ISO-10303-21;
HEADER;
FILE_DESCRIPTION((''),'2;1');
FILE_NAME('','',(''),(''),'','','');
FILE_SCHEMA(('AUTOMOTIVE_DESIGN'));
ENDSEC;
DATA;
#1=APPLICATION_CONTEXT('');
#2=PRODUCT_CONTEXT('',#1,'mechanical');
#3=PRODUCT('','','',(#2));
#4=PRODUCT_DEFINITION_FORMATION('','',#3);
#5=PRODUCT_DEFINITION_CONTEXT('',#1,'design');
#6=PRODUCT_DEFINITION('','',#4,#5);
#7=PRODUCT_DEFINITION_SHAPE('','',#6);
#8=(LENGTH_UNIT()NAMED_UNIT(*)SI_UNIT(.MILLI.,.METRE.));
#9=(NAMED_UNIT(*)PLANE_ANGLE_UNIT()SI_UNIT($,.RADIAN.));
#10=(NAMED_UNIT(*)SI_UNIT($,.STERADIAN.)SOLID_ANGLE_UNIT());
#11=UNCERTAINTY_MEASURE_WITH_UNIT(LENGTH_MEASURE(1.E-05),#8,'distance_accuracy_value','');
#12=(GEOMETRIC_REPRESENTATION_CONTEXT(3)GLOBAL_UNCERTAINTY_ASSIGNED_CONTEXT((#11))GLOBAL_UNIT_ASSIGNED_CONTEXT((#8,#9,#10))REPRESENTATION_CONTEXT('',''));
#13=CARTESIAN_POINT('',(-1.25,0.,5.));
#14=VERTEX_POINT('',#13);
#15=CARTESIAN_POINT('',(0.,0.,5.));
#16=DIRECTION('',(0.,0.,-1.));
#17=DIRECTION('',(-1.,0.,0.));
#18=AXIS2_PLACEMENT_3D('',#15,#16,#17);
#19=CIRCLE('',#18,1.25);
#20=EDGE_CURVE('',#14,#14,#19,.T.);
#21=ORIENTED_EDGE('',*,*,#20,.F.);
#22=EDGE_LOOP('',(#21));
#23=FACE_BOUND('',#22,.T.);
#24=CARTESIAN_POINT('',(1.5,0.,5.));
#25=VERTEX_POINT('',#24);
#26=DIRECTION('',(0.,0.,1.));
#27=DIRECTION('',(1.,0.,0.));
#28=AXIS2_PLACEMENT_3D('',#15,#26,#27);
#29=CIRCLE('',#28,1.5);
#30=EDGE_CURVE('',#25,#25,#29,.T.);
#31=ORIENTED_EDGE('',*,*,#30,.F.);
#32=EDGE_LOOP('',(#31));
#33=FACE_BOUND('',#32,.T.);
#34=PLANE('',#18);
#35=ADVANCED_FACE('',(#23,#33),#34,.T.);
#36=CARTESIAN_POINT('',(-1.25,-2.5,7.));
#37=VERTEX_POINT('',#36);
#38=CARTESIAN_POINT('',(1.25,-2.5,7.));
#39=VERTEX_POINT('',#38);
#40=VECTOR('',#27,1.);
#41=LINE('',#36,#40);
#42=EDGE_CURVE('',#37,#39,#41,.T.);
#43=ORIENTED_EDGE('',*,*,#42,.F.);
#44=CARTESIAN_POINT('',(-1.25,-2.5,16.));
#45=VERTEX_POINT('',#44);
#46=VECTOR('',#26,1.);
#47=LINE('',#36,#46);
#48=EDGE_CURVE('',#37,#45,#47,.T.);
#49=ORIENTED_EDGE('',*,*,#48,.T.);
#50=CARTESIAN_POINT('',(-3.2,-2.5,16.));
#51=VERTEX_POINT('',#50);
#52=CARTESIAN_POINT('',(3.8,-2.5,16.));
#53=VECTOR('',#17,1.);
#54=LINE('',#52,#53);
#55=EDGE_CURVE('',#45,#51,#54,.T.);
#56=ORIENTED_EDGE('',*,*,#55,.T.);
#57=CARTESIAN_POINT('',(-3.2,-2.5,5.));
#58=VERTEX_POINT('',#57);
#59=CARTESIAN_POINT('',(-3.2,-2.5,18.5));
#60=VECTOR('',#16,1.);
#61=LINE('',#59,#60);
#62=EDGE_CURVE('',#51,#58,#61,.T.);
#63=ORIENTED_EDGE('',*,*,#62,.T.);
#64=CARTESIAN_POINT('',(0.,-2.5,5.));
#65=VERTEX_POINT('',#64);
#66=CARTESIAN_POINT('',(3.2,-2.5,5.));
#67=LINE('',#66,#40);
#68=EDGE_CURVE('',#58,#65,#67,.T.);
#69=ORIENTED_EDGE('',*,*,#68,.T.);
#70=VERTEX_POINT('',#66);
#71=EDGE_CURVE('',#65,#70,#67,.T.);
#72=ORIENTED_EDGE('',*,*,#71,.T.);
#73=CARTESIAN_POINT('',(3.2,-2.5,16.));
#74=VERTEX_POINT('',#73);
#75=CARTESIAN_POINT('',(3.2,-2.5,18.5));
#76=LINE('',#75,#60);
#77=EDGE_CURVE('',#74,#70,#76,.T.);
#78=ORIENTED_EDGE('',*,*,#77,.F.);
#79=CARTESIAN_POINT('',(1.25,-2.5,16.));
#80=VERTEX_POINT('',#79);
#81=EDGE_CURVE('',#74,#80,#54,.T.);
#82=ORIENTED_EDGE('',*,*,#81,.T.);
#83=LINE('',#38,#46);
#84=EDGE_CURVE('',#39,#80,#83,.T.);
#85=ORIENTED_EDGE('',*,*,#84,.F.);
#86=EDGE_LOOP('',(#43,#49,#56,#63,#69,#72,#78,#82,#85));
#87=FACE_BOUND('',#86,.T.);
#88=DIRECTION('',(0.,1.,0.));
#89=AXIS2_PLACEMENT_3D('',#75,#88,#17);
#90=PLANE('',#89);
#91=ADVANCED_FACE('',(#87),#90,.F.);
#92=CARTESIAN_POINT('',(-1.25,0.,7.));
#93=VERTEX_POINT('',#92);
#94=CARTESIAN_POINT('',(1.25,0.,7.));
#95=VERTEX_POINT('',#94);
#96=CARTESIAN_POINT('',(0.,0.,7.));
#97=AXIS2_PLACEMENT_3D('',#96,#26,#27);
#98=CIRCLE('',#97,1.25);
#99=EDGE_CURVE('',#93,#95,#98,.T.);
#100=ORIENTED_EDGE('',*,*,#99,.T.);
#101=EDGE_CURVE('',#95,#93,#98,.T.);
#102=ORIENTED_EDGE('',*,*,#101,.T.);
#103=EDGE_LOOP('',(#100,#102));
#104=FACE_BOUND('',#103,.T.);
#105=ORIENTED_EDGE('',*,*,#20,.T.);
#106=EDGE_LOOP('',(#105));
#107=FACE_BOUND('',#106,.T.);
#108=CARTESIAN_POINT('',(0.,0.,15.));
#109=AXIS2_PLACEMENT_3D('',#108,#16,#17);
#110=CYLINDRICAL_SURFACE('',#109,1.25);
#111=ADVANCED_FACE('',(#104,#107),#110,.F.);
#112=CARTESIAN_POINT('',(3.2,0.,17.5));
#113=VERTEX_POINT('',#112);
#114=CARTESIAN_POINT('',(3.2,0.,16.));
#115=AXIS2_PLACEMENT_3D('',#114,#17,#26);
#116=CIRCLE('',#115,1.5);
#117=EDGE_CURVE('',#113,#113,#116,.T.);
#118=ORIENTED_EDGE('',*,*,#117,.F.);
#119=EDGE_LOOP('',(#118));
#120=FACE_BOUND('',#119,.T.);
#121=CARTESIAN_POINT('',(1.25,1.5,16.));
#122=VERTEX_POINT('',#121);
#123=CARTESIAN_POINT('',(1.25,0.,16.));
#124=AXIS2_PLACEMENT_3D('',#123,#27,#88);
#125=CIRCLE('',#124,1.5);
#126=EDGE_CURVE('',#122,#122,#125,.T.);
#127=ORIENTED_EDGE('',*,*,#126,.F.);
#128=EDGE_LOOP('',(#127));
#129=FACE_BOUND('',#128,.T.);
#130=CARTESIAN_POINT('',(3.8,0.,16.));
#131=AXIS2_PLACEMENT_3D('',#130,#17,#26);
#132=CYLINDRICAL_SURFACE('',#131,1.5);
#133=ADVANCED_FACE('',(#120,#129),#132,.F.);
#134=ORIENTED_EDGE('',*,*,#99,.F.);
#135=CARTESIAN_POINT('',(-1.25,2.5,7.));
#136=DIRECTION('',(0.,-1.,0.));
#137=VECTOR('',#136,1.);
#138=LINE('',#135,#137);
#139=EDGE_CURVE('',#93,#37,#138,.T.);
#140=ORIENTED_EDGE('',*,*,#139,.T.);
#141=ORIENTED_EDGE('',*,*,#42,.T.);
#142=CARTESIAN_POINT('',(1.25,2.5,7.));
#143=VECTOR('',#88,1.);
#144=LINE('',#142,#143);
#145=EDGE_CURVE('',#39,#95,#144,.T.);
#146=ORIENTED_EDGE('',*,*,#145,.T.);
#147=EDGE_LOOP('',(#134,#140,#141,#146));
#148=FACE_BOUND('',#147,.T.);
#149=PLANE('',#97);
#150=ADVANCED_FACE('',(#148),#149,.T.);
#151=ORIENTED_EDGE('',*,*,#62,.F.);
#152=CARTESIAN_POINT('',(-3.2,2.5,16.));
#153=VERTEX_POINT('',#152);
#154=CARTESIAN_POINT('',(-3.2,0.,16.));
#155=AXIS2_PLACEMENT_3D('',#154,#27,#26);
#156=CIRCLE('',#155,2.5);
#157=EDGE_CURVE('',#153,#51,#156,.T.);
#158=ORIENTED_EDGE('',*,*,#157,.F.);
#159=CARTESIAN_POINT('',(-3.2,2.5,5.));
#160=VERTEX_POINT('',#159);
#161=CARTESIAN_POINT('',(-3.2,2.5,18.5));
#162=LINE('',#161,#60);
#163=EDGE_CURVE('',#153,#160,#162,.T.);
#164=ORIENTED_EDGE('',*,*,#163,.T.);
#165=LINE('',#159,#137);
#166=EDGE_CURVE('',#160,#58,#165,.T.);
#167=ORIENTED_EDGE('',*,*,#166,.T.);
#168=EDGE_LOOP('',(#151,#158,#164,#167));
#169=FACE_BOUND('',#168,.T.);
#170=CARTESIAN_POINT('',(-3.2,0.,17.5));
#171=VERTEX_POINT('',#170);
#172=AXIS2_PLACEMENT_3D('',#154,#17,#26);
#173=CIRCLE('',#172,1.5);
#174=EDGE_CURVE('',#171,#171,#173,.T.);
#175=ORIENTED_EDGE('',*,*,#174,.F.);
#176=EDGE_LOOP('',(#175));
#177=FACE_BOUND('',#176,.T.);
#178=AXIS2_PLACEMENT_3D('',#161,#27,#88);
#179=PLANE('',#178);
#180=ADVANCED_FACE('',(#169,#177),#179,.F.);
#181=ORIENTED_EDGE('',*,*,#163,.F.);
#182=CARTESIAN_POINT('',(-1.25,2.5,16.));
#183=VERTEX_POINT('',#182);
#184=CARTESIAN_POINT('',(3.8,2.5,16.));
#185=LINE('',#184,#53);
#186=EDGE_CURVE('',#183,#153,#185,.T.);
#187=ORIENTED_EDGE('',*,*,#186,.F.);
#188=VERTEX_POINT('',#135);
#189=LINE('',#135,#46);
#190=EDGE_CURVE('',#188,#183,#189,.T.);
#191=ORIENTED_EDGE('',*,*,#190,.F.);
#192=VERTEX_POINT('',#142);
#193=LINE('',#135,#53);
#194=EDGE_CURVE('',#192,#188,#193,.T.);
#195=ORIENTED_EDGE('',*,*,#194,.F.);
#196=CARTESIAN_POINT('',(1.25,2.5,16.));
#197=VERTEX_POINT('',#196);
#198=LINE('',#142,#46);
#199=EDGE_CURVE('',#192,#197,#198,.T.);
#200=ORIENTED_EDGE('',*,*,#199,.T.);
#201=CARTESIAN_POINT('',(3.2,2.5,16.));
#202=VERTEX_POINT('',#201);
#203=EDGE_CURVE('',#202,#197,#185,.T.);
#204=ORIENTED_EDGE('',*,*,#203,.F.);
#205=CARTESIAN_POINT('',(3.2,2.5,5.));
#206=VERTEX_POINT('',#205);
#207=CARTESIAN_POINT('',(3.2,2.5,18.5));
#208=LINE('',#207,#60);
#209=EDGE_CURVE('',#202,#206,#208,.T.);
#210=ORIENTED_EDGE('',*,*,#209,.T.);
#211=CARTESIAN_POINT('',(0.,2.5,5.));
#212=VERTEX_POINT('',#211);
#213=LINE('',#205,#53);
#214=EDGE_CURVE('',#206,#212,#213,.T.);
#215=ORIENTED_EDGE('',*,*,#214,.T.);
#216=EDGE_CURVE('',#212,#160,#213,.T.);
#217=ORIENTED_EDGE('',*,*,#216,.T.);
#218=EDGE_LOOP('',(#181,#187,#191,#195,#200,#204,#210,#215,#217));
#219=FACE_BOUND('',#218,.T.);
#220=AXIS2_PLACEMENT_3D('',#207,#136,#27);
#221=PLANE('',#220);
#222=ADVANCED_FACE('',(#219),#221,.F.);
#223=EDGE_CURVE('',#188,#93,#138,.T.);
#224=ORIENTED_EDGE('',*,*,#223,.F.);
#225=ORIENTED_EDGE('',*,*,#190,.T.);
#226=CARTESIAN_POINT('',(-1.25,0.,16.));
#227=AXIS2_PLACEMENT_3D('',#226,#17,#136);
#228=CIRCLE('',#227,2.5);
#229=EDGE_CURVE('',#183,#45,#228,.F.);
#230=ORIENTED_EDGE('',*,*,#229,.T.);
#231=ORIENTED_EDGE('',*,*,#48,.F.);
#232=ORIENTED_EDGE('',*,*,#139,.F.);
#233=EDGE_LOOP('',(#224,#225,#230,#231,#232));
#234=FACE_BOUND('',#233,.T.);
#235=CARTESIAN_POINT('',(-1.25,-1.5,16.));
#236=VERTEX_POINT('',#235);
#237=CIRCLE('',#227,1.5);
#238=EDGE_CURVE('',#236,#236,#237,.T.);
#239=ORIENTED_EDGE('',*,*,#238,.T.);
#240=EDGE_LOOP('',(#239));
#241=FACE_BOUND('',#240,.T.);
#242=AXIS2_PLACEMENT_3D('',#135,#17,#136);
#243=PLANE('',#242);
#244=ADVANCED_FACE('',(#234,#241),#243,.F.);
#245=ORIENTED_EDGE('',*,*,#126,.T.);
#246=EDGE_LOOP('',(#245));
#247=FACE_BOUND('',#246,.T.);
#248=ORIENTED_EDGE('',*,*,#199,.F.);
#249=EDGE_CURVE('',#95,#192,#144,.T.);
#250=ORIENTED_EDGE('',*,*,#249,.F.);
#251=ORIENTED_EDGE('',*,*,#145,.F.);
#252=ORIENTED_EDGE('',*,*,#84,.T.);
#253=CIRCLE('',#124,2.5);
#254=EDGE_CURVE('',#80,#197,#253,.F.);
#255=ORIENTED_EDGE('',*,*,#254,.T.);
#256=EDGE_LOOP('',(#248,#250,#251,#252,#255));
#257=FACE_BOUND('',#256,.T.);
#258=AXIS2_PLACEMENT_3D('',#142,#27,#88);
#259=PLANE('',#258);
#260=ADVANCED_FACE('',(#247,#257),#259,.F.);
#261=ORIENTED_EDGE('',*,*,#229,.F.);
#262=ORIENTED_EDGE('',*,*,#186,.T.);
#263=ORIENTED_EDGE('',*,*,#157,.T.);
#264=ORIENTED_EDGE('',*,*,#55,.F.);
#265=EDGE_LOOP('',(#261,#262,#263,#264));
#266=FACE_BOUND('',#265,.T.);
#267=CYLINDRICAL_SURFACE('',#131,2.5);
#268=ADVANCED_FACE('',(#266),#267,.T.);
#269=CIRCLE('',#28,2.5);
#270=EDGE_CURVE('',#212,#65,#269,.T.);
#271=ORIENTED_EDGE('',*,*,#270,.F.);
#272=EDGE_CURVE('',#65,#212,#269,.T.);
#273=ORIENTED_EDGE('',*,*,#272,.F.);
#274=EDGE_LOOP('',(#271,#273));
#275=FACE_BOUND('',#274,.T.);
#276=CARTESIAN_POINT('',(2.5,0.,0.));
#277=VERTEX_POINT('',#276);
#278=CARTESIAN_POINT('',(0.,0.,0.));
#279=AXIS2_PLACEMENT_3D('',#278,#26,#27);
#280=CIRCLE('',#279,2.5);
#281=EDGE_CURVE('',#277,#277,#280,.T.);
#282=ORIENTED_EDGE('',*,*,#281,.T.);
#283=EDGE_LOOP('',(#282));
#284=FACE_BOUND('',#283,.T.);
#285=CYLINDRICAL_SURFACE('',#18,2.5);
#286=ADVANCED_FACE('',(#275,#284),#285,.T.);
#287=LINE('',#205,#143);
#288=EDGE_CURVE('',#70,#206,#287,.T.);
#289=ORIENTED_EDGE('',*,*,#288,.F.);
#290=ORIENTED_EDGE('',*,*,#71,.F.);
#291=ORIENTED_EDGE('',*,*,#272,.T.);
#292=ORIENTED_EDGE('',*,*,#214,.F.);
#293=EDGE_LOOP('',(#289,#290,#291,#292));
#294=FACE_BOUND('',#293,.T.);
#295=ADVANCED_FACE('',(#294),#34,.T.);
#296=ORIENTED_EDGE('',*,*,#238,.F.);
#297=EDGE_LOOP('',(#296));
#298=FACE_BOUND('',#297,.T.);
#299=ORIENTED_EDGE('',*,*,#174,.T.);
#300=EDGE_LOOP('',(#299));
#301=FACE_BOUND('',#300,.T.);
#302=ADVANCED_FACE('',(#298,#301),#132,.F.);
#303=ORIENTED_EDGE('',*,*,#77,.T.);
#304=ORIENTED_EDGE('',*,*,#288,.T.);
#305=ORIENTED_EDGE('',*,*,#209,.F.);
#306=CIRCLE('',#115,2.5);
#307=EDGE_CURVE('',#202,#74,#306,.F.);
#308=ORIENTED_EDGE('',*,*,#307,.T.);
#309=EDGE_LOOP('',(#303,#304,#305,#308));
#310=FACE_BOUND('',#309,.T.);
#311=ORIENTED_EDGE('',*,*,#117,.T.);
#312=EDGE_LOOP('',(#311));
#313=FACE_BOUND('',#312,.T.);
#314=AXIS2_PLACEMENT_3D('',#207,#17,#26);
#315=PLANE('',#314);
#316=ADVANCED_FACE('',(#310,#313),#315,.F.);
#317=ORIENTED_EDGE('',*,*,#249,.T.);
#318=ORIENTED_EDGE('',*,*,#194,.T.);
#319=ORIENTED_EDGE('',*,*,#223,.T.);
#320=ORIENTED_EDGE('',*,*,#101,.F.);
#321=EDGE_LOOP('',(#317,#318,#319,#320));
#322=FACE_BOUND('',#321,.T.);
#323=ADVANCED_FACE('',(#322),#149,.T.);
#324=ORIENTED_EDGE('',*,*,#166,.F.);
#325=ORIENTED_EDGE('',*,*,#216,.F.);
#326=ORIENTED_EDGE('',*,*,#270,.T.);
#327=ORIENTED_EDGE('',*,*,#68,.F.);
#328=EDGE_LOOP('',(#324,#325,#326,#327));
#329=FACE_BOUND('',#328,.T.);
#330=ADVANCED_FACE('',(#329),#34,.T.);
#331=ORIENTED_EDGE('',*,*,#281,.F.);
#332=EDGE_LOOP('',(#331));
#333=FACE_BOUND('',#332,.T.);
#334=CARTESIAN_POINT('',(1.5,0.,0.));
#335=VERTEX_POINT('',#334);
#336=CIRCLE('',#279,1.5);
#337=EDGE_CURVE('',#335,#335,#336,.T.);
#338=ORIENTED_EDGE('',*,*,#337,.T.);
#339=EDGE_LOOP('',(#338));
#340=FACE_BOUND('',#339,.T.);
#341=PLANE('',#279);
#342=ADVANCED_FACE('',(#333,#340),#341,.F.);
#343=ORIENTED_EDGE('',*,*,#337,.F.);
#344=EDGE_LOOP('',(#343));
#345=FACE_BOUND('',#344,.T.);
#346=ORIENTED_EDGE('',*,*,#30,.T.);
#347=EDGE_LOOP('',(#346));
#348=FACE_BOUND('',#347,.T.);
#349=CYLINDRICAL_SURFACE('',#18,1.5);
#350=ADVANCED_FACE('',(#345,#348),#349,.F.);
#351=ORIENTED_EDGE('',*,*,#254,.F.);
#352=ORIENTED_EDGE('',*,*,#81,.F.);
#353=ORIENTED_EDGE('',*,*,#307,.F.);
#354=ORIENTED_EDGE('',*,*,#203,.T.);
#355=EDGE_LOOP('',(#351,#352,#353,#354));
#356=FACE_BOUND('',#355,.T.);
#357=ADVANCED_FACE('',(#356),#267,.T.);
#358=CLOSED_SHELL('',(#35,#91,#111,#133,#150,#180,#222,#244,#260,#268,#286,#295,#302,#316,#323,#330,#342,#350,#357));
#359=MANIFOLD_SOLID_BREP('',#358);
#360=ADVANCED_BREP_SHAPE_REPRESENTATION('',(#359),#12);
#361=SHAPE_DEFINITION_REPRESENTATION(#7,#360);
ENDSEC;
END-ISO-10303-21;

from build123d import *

# Parameters (mm, degrees)
SKETCH1_R           = 2.5
SKETCH1_R_2         = 1.5
BOSS_EXTRUDE1_DEPTH = 5
SKETCH2_W           = 6.4
SKETCH2_H           = 5
BOSS_EXTRUDE2_DEPTH = 13.5
SKETCH3_W           = 2.5
SKETCH3_H           = 5
CUT_EXTRUDE1_DEPTH  = 11.5
SKETCH4_R           = 1.5
CUT_EXTRUDE2_DEPTH  = 7
SKETCH_2_R          = 1.25
CUT_EXTRUDE_1_DEPTH = 10


with BuildPart() as part:
    # Sketch1 → Boss-Extrude1 (new body)
    with BuildSketch(Plane.XY):
        Circle(SKETCH1_R)
        Circle(SKETCH1_R_2, mode=Mode.SUBTRACT)
    extrude(amount=BOSS_EXTRUDE1_DEPTH)

    # Sketch2 → Boss-Extrude2 (add)
    with BuildSketch(Plane.XY.offset(5)):
        Rectangle(SKETCH2_W, SKETCH2_H)
    extrude(amount=BOSS_EXTRUDE2_DEPTH)

    # Sketch3 → Cut-Extrude1 (cut)
    with BuildSketch(Plane.XY.offset(18.5)):
        Rectangle(SKETCH3_W, SKETCH3_H)
    extrude(amount=-CUT_EXTRUDE1_DEPTH, mode=Mode.SUBTRACT)

    # Sketch4 → Cut-Extrude2 (cut)
    with BuildSketch(Plane.ZY.offset(3.2)):
        with Locations((16, 0)):
            Circle(SKETCH4_R)
        with BuildLine():
            Line((16, 2.5), (20, 2.5))
            Line((20, 2.5), (20, -2.5))
            Line((20, -2.5), (16, -2.5))
            ThreePointArc((16, -2.5), (18.5, 0), (16, 2.5))
        make_face()
    extrude(amount=-CUT_EXTRUDE2_DEPTH, mode=Mode.SUBTRACT)

    # 草图2 → 切除-拉伸1 (cut)
    with BuildSketch(Plane(origin=(0, 0, 5), x_dir=(-1, 0, 0), z_dir=(0, 0, -1))):
        Circle(SKETCH_2_R)
    extrude(amount=-CUT_EXTRUDE_1_DEPTH, mode=Mode.SUBTRACT)


solid = part.part
